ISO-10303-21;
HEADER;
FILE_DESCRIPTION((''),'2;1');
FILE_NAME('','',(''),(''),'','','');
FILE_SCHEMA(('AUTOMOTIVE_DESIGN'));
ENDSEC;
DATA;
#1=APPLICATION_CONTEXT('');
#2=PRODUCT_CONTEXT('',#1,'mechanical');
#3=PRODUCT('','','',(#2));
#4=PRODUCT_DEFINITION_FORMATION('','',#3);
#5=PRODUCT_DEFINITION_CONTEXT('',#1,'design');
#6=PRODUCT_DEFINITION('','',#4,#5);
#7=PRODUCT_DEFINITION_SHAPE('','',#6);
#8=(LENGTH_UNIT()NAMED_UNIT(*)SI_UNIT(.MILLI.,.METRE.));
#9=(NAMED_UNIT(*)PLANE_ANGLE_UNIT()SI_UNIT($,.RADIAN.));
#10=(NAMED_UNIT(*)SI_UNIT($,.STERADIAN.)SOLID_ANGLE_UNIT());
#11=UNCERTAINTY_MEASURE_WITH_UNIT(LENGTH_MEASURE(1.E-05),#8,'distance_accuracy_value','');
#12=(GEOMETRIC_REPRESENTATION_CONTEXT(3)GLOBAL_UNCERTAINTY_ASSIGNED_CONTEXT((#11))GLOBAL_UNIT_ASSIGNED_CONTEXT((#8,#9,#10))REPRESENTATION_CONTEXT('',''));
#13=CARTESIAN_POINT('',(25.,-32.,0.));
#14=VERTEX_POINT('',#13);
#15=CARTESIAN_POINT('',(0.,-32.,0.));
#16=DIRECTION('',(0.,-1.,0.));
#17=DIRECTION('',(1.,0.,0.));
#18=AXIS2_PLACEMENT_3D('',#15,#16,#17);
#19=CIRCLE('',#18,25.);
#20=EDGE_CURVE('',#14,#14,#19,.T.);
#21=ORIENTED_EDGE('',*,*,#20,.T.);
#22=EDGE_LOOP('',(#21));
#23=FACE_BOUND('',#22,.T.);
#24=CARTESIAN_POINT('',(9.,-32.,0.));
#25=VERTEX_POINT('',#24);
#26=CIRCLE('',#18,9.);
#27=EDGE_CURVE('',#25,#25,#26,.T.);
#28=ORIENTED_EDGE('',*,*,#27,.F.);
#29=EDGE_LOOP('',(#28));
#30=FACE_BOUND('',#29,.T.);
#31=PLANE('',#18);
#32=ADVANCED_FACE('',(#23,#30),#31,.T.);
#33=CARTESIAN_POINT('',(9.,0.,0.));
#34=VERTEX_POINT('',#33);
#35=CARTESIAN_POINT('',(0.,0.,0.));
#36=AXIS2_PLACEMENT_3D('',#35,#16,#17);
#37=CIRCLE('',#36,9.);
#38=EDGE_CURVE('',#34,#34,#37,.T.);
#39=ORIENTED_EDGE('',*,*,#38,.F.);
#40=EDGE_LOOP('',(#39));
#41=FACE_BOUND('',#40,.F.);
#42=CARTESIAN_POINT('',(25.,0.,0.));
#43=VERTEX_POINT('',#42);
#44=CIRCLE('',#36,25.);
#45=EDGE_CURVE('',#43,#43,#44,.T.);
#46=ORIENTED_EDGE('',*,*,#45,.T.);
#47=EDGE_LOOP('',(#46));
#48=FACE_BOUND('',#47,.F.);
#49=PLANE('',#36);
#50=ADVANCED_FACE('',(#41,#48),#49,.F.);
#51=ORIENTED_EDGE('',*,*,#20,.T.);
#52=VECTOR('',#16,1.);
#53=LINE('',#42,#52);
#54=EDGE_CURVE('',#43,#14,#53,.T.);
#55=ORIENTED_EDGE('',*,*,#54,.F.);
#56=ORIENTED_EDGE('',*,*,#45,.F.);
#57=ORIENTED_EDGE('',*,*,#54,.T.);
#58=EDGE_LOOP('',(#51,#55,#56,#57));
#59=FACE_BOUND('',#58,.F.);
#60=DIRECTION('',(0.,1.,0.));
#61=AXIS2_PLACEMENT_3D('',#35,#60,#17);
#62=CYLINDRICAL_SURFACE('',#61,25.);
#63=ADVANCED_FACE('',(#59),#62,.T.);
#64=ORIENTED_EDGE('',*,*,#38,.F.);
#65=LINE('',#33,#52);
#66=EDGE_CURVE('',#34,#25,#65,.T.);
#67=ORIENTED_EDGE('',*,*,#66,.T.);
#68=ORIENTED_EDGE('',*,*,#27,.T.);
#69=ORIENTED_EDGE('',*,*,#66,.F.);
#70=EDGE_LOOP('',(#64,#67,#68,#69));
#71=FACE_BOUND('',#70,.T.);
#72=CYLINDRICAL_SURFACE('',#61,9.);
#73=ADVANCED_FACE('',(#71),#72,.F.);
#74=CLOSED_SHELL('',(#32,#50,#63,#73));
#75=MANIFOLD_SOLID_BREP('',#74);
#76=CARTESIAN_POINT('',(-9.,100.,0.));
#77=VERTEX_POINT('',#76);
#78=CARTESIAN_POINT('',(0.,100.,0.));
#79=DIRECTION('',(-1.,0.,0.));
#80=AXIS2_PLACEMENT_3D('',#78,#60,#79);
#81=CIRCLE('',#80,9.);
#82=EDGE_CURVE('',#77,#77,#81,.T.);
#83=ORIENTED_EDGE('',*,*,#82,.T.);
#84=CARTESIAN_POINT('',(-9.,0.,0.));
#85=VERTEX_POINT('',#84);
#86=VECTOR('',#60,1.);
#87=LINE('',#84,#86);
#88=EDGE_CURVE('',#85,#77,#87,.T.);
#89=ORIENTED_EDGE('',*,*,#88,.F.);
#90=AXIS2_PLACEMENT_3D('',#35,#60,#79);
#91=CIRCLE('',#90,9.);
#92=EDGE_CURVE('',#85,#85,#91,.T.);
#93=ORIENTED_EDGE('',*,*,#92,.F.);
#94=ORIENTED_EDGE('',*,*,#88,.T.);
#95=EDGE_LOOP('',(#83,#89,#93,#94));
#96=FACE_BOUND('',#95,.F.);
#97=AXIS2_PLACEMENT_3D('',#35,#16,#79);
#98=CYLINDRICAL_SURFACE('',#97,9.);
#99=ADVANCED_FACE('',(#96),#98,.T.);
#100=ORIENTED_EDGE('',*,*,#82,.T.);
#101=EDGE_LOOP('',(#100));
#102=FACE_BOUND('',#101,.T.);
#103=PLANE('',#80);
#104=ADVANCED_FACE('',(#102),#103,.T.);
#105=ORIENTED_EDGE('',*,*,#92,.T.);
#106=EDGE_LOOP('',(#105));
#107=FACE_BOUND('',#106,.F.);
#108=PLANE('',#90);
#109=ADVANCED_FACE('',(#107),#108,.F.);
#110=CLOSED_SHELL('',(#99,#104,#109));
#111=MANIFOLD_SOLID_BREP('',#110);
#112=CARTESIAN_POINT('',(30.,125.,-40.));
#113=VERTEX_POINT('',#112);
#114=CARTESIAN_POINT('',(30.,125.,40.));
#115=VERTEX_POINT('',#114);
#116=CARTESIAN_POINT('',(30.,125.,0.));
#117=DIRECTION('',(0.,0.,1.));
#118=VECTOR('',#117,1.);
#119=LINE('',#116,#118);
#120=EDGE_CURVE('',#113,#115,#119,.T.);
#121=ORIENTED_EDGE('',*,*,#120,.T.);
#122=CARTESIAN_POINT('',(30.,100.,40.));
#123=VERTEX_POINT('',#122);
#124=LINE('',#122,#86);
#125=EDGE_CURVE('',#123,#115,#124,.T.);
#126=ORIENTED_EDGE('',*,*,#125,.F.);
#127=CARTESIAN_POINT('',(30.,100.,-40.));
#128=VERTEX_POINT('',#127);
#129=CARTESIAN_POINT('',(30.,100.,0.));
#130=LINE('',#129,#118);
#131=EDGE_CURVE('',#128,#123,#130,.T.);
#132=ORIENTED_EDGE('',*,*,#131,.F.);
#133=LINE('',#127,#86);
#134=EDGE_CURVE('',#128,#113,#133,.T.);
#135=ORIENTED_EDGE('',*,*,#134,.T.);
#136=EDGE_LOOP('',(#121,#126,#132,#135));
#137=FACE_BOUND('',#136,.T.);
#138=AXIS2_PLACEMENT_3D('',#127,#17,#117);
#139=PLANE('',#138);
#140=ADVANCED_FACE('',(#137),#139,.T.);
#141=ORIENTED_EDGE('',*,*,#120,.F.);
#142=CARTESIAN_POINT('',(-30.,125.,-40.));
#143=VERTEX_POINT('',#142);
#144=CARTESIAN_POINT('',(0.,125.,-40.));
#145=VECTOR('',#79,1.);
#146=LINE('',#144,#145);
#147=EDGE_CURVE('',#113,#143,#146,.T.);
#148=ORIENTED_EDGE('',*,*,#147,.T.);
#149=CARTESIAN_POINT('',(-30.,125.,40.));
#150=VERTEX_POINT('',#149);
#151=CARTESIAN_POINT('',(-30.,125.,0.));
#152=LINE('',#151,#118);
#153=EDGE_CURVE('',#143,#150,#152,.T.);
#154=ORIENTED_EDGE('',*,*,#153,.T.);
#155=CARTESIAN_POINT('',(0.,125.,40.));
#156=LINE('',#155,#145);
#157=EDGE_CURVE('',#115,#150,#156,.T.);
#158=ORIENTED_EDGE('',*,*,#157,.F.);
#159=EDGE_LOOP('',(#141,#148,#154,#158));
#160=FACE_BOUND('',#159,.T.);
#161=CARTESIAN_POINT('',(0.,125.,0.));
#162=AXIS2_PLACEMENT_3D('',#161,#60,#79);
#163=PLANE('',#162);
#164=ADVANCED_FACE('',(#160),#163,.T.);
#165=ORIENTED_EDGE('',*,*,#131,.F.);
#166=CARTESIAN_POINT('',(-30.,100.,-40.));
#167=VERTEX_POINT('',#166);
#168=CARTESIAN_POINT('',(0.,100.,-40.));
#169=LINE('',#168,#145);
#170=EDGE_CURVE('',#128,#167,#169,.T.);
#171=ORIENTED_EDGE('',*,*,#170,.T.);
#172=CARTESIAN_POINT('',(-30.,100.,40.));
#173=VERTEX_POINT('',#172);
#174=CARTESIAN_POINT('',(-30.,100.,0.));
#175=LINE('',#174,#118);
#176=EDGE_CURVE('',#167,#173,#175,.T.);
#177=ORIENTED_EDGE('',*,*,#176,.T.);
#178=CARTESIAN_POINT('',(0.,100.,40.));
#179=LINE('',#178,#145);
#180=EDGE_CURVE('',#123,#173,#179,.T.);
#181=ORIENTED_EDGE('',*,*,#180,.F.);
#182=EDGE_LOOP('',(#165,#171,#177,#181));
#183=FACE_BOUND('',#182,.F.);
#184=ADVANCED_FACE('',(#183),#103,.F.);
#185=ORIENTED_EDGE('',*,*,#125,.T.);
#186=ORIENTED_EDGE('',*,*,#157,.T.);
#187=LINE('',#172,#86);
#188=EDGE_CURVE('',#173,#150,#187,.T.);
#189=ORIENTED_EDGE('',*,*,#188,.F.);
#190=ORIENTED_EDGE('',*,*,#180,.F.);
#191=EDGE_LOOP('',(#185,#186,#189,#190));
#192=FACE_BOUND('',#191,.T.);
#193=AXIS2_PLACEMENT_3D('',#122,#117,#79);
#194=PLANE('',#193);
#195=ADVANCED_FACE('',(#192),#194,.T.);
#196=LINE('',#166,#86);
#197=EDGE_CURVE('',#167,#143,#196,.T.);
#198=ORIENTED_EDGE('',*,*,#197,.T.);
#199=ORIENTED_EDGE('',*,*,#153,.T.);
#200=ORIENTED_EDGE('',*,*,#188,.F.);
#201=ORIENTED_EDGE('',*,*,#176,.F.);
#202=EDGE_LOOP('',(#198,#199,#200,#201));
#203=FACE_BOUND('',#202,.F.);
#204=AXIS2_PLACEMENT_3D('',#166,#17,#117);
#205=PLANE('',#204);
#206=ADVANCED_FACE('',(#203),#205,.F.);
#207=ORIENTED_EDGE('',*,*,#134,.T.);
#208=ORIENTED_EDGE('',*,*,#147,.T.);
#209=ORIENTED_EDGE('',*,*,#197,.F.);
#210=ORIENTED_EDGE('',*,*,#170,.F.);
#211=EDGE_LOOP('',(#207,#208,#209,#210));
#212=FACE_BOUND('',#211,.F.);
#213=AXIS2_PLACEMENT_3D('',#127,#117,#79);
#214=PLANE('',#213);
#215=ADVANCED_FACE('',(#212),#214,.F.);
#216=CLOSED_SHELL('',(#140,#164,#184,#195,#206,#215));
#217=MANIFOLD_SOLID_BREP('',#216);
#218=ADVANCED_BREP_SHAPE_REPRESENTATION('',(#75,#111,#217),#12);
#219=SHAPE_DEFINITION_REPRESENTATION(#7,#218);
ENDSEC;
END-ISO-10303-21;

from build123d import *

# Parameters (mm, degrees)
F0_R     = 25
F0_R_2   = 9
F1_DEPTH = 32
F2_R     = 9
F3_DEPTH = 100
F4_W     = 60
F4_H     = 80
F5_DEPTH = 25


with BuildPart() as f1:
    # F0 (on Front) → F1 (new body)
    with BuildSketch(Plane.XZ):
        Circle(F0_R)
        Circle(F0_R_2, mode=Mode.SUBTRACT)
    extrude(amount=F1_DEPTH)


with BuildPart() as f3:
    # F2 (on face) → F3 (new body)
    with BuildSketch(Plane(origin=(0, 0, 0), x_dir=(-1, 0, 0), z_dir=(0, 1, 0))):
        Circle(F2_R)
    extrude(amount=F3_DEPTH)


with BuildPart() as f5:
    # F4 (on face) → F5 (new body)
    with BuildSketch(Plane(origin=(0, 100, 0), x_dir=(-1, 0, 0), z_dir=(0, 1, 0))):
        Rectangle(F4_W, F4_H)
    extrude(amount=F5_DEPTH)


solid = Compound([f1.part, f3.part, f5.part])
